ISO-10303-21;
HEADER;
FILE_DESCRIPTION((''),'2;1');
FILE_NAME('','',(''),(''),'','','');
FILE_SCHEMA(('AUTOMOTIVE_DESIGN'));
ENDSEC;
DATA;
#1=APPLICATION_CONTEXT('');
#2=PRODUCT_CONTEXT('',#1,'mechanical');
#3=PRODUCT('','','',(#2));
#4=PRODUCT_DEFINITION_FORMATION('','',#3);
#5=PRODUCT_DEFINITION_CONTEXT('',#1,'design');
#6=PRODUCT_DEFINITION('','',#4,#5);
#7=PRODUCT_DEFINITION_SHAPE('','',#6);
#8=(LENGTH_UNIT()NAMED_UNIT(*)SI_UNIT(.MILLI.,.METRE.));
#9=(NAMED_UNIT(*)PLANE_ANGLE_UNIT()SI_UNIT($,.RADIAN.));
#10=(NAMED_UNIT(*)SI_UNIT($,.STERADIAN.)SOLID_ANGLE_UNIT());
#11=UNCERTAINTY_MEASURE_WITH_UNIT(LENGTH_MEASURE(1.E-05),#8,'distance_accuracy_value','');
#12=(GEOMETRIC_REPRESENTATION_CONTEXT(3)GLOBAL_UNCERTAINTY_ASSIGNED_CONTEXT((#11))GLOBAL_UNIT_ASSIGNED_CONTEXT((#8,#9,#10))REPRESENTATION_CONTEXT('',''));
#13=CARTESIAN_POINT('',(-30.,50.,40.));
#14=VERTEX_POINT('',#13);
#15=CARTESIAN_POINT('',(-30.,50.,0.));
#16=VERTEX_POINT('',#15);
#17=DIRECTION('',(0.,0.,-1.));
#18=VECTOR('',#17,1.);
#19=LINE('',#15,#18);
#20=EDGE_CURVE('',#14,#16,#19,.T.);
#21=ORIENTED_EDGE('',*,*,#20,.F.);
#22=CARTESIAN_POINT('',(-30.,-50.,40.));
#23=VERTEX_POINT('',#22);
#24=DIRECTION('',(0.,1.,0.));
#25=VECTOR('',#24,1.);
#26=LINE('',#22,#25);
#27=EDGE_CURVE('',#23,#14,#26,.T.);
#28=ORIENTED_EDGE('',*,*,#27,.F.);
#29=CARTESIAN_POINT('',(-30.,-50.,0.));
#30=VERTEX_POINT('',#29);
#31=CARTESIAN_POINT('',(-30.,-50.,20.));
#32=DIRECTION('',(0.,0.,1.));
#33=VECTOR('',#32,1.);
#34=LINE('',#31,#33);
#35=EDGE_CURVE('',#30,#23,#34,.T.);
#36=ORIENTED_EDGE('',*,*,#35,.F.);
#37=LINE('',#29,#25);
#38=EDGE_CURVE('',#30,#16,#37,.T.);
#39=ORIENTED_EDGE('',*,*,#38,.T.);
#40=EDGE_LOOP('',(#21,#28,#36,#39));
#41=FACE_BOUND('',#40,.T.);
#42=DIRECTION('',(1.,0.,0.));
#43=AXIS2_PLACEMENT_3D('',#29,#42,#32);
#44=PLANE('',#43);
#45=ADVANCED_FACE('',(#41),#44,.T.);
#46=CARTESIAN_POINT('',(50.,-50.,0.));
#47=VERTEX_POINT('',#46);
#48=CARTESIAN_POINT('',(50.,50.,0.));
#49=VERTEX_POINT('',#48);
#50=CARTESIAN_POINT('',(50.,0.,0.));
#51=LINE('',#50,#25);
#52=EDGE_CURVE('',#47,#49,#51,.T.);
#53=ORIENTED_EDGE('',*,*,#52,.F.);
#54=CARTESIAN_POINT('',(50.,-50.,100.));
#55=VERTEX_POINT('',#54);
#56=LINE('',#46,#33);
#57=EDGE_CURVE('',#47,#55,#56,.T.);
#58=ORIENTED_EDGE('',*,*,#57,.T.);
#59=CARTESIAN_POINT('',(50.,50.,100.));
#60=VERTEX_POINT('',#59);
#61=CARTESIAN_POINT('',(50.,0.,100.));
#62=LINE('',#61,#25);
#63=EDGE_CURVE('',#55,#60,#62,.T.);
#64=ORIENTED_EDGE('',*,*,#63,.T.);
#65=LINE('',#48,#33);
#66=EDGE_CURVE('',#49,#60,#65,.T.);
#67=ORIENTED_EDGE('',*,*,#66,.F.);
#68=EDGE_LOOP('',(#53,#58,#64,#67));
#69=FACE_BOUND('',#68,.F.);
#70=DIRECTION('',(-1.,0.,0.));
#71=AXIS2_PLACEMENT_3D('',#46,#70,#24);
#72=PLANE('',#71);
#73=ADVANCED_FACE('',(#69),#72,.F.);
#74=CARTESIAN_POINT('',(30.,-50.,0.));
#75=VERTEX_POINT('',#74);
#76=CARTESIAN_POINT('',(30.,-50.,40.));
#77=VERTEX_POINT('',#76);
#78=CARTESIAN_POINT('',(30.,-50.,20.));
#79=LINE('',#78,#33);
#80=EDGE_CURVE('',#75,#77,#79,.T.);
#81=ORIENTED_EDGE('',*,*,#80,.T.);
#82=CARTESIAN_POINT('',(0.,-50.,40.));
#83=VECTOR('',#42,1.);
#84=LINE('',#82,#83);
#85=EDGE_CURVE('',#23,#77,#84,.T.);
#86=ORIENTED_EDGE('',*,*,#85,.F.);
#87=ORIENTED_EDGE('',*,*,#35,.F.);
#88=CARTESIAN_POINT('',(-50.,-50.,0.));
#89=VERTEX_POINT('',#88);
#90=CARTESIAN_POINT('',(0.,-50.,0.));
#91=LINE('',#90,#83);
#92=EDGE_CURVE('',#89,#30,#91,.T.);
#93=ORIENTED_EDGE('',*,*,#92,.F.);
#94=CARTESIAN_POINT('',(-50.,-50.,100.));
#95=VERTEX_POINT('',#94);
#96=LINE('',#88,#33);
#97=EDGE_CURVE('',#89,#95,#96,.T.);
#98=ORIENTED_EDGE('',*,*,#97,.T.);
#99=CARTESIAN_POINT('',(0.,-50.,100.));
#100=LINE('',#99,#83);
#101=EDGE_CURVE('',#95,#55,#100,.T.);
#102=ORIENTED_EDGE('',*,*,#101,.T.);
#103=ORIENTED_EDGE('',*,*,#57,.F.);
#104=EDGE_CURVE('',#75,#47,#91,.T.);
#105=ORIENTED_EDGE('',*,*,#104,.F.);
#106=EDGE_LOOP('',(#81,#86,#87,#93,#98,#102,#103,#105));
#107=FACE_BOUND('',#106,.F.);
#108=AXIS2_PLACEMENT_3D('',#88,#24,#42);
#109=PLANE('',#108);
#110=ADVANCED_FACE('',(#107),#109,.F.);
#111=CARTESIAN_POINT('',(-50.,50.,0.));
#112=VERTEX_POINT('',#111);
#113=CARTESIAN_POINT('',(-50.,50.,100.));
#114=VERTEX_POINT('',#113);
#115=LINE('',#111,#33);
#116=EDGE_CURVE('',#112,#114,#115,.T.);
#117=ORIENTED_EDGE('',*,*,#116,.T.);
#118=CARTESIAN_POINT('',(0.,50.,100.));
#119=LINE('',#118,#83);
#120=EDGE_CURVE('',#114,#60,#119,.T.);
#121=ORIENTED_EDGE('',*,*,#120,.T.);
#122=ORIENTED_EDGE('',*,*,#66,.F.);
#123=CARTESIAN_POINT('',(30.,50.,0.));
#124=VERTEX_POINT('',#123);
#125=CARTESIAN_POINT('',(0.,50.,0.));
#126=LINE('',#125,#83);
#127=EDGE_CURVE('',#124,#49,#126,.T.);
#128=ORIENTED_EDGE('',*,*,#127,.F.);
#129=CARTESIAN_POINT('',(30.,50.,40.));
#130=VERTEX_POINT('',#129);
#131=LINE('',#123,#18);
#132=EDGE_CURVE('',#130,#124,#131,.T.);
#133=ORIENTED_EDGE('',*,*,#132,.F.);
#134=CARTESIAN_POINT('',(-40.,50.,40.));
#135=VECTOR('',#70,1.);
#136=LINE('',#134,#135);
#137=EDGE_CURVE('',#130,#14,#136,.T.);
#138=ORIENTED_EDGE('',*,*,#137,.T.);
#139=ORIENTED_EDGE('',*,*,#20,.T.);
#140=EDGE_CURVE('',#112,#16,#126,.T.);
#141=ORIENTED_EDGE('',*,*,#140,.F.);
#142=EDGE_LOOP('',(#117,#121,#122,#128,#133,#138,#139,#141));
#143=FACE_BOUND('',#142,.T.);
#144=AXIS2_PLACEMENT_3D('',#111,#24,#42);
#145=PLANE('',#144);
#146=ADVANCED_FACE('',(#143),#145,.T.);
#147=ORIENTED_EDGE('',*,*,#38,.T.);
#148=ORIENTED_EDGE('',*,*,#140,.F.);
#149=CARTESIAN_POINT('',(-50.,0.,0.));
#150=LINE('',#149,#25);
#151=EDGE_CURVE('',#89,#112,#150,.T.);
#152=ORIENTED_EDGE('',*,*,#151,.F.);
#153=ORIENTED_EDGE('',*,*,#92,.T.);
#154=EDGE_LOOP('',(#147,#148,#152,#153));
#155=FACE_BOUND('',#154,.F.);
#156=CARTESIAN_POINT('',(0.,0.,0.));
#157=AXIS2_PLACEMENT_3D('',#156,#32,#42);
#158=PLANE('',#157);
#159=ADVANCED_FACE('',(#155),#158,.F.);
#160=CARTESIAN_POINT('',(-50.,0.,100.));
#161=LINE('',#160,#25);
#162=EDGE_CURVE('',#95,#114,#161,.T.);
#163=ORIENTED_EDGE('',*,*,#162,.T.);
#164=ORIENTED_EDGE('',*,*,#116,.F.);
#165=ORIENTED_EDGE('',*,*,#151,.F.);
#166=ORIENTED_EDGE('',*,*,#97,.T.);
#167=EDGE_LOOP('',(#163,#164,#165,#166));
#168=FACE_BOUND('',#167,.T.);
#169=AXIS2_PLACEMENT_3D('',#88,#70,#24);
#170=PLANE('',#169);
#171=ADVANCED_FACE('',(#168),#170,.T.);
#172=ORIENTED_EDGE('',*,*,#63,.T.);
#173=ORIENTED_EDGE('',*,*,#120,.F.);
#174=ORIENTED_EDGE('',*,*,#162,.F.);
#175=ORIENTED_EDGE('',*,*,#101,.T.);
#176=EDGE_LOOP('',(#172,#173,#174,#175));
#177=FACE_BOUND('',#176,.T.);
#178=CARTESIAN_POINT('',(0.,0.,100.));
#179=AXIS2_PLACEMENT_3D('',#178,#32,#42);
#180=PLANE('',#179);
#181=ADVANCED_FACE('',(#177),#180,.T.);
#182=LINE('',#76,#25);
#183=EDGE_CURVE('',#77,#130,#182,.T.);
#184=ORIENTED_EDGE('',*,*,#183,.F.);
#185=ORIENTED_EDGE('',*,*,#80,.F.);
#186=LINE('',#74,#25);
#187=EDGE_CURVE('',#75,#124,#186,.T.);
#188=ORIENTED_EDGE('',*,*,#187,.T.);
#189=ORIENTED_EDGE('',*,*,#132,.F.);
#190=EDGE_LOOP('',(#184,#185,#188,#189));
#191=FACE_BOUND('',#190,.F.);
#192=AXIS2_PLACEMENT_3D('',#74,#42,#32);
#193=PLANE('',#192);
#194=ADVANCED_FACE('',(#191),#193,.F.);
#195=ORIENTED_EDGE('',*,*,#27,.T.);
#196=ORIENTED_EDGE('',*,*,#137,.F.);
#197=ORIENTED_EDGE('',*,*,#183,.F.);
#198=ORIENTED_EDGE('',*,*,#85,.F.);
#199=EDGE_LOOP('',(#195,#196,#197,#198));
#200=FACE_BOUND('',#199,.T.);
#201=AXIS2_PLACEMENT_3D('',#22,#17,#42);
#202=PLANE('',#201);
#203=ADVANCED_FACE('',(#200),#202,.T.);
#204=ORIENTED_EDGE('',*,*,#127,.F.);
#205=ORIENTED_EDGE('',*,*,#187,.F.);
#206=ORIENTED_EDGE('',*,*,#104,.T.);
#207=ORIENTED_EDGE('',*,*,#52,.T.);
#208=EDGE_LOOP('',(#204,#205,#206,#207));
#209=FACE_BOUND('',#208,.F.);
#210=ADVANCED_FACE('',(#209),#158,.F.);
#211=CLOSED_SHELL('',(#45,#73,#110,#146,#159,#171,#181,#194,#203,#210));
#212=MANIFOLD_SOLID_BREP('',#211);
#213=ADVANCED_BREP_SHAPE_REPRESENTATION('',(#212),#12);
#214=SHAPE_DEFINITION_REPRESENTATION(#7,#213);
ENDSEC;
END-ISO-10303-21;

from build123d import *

# Parameters (mm, degrees)
F0_W     = 100
F0_H     = 100
F1_DEPTH = 100
F2_W     = 60
F2_H     = 40
F3_DEPTH = 100.001


with BuildPart() as f1:
    # F0 (on Top) → F1 (new body)
    with BuildSketch(Plane.XY):
        Rectangle(F0_W, F0_H)
    extrude(amount=F1_DEPTH)

    # F2 (on face) → F3 (cut, through all)
    with BuildSketch(Plane.XZ.offset(50)):
        with Locations((0, 20)):
            Rectangle(F2_W, F2_H)
    extrude(amount=-F3_DEPTH, mode=Mode.SUBTRACT)


solid = f1.part
